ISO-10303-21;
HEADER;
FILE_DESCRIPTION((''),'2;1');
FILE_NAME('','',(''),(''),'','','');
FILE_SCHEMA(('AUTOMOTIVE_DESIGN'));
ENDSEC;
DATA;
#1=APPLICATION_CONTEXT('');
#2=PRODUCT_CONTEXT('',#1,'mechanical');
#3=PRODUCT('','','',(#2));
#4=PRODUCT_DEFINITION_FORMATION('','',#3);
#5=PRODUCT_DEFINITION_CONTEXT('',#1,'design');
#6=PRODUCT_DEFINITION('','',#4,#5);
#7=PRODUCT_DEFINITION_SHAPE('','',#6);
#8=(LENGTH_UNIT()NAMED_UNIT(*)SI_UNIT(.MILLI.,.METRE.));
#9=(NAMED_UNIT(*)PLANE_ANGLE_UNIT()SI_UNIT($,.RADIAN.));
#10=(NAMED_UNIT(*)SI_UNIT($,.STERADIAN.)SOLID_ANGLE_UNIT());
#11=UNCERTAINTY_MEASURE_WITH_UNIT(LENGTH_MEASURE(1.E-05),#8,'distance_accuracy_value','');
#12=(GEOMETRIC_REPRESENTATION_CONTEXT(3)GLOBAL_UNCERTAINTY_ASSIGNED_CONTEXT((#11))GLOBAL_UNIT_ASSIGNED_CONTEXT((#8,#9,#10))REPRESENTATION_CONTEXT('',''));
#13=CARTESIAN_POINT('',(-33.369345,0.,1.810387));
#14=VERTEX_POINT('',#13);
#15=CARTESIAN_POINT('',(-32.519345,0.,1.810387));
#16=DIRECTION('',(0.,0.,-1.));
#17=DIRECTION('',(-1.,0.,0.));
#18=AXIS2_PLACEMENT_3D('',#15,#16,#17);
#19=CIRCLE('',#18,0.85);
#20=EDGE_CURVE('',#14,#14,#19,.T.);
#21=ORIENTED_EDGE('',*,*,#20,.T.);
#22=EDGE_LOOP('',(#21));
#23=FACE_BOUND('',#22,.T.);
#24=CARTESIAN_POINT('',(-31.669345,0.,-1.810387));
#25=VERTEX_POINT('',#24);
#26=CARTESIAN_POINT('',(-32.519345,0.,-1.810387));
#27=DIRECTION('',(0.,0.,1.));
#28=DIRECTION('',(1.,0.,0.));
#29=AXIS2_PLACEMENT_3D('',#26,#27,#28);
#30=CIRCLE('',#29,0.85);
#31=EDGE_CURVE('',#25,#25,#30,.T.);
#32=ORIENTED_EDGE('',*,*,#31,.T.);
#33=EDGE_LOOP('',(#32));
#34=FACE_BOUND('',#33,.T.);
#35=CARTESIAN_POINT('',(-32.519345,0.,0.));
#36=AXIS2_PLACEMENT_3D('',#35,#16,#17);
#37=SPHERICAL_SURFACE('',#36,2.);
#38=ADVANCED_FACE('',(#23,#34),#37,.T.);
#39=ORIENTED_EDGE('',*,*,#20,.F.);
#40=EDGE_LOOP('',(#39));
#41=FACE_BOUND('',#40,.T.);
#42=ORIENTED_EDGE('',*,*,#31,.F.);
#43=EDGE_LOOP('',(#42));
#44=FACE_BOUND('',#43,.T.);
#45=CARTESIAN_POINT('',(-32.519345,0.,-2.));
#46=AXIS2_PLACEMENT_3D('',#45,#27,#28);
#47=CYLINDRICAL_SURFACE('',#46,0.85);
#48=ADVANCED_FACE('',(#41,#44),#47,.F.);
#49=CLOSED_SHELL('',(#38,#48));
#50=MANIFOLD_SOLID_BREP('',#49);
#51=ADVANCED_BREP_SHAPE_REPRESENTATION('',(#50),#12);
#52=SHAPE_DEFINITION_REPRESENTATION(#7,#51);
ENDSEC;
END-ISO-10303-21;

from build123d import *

# Parameters (mm, degrees)
SKETCH_4_R               = 0.85
CUT_EXTRUDE_2_DEPTH      = 3
CUT_EXTRUDE_2_DEPTH_BACK = 3


with BuildPart() as part:
    # 草图2 → 旋转1 (revolve)
    with BuildSketch(Plane(origin=(0, 0, 0), x_dir=(1, 0, 0), z_dir=(0, 1, 0))):
        with BuildLine():
            Line((-34.519344789, 0), (-30.519344789, 0))
            ThreePointArc((-30.519344789, 0), (-32.519344789, 2), (-34.519344789, 0))
        make_face()
    revolve(axis=Axis((-34.519344789, 0, 0), (1, 0, 0)))

    # 草图4 → 切除-拉伸2 (cut, two sides)
    with BuildSketch(Plane.XY) as cut_extrude_2_sk:
        with Locations((-32.519344789, 0)):
            Circle(SKETCH_4_R)
    extrude(amount=CUT_EXTRUDE_2_DEPTH, mode=Mode.SUBTRACT)
    extrude(cut_extrude_2_sk.sketch, amount=-CUT_EXTRUDE_2_DEPTH_BACK, mode=Mode.SUBTRACT)


solid = part.part
